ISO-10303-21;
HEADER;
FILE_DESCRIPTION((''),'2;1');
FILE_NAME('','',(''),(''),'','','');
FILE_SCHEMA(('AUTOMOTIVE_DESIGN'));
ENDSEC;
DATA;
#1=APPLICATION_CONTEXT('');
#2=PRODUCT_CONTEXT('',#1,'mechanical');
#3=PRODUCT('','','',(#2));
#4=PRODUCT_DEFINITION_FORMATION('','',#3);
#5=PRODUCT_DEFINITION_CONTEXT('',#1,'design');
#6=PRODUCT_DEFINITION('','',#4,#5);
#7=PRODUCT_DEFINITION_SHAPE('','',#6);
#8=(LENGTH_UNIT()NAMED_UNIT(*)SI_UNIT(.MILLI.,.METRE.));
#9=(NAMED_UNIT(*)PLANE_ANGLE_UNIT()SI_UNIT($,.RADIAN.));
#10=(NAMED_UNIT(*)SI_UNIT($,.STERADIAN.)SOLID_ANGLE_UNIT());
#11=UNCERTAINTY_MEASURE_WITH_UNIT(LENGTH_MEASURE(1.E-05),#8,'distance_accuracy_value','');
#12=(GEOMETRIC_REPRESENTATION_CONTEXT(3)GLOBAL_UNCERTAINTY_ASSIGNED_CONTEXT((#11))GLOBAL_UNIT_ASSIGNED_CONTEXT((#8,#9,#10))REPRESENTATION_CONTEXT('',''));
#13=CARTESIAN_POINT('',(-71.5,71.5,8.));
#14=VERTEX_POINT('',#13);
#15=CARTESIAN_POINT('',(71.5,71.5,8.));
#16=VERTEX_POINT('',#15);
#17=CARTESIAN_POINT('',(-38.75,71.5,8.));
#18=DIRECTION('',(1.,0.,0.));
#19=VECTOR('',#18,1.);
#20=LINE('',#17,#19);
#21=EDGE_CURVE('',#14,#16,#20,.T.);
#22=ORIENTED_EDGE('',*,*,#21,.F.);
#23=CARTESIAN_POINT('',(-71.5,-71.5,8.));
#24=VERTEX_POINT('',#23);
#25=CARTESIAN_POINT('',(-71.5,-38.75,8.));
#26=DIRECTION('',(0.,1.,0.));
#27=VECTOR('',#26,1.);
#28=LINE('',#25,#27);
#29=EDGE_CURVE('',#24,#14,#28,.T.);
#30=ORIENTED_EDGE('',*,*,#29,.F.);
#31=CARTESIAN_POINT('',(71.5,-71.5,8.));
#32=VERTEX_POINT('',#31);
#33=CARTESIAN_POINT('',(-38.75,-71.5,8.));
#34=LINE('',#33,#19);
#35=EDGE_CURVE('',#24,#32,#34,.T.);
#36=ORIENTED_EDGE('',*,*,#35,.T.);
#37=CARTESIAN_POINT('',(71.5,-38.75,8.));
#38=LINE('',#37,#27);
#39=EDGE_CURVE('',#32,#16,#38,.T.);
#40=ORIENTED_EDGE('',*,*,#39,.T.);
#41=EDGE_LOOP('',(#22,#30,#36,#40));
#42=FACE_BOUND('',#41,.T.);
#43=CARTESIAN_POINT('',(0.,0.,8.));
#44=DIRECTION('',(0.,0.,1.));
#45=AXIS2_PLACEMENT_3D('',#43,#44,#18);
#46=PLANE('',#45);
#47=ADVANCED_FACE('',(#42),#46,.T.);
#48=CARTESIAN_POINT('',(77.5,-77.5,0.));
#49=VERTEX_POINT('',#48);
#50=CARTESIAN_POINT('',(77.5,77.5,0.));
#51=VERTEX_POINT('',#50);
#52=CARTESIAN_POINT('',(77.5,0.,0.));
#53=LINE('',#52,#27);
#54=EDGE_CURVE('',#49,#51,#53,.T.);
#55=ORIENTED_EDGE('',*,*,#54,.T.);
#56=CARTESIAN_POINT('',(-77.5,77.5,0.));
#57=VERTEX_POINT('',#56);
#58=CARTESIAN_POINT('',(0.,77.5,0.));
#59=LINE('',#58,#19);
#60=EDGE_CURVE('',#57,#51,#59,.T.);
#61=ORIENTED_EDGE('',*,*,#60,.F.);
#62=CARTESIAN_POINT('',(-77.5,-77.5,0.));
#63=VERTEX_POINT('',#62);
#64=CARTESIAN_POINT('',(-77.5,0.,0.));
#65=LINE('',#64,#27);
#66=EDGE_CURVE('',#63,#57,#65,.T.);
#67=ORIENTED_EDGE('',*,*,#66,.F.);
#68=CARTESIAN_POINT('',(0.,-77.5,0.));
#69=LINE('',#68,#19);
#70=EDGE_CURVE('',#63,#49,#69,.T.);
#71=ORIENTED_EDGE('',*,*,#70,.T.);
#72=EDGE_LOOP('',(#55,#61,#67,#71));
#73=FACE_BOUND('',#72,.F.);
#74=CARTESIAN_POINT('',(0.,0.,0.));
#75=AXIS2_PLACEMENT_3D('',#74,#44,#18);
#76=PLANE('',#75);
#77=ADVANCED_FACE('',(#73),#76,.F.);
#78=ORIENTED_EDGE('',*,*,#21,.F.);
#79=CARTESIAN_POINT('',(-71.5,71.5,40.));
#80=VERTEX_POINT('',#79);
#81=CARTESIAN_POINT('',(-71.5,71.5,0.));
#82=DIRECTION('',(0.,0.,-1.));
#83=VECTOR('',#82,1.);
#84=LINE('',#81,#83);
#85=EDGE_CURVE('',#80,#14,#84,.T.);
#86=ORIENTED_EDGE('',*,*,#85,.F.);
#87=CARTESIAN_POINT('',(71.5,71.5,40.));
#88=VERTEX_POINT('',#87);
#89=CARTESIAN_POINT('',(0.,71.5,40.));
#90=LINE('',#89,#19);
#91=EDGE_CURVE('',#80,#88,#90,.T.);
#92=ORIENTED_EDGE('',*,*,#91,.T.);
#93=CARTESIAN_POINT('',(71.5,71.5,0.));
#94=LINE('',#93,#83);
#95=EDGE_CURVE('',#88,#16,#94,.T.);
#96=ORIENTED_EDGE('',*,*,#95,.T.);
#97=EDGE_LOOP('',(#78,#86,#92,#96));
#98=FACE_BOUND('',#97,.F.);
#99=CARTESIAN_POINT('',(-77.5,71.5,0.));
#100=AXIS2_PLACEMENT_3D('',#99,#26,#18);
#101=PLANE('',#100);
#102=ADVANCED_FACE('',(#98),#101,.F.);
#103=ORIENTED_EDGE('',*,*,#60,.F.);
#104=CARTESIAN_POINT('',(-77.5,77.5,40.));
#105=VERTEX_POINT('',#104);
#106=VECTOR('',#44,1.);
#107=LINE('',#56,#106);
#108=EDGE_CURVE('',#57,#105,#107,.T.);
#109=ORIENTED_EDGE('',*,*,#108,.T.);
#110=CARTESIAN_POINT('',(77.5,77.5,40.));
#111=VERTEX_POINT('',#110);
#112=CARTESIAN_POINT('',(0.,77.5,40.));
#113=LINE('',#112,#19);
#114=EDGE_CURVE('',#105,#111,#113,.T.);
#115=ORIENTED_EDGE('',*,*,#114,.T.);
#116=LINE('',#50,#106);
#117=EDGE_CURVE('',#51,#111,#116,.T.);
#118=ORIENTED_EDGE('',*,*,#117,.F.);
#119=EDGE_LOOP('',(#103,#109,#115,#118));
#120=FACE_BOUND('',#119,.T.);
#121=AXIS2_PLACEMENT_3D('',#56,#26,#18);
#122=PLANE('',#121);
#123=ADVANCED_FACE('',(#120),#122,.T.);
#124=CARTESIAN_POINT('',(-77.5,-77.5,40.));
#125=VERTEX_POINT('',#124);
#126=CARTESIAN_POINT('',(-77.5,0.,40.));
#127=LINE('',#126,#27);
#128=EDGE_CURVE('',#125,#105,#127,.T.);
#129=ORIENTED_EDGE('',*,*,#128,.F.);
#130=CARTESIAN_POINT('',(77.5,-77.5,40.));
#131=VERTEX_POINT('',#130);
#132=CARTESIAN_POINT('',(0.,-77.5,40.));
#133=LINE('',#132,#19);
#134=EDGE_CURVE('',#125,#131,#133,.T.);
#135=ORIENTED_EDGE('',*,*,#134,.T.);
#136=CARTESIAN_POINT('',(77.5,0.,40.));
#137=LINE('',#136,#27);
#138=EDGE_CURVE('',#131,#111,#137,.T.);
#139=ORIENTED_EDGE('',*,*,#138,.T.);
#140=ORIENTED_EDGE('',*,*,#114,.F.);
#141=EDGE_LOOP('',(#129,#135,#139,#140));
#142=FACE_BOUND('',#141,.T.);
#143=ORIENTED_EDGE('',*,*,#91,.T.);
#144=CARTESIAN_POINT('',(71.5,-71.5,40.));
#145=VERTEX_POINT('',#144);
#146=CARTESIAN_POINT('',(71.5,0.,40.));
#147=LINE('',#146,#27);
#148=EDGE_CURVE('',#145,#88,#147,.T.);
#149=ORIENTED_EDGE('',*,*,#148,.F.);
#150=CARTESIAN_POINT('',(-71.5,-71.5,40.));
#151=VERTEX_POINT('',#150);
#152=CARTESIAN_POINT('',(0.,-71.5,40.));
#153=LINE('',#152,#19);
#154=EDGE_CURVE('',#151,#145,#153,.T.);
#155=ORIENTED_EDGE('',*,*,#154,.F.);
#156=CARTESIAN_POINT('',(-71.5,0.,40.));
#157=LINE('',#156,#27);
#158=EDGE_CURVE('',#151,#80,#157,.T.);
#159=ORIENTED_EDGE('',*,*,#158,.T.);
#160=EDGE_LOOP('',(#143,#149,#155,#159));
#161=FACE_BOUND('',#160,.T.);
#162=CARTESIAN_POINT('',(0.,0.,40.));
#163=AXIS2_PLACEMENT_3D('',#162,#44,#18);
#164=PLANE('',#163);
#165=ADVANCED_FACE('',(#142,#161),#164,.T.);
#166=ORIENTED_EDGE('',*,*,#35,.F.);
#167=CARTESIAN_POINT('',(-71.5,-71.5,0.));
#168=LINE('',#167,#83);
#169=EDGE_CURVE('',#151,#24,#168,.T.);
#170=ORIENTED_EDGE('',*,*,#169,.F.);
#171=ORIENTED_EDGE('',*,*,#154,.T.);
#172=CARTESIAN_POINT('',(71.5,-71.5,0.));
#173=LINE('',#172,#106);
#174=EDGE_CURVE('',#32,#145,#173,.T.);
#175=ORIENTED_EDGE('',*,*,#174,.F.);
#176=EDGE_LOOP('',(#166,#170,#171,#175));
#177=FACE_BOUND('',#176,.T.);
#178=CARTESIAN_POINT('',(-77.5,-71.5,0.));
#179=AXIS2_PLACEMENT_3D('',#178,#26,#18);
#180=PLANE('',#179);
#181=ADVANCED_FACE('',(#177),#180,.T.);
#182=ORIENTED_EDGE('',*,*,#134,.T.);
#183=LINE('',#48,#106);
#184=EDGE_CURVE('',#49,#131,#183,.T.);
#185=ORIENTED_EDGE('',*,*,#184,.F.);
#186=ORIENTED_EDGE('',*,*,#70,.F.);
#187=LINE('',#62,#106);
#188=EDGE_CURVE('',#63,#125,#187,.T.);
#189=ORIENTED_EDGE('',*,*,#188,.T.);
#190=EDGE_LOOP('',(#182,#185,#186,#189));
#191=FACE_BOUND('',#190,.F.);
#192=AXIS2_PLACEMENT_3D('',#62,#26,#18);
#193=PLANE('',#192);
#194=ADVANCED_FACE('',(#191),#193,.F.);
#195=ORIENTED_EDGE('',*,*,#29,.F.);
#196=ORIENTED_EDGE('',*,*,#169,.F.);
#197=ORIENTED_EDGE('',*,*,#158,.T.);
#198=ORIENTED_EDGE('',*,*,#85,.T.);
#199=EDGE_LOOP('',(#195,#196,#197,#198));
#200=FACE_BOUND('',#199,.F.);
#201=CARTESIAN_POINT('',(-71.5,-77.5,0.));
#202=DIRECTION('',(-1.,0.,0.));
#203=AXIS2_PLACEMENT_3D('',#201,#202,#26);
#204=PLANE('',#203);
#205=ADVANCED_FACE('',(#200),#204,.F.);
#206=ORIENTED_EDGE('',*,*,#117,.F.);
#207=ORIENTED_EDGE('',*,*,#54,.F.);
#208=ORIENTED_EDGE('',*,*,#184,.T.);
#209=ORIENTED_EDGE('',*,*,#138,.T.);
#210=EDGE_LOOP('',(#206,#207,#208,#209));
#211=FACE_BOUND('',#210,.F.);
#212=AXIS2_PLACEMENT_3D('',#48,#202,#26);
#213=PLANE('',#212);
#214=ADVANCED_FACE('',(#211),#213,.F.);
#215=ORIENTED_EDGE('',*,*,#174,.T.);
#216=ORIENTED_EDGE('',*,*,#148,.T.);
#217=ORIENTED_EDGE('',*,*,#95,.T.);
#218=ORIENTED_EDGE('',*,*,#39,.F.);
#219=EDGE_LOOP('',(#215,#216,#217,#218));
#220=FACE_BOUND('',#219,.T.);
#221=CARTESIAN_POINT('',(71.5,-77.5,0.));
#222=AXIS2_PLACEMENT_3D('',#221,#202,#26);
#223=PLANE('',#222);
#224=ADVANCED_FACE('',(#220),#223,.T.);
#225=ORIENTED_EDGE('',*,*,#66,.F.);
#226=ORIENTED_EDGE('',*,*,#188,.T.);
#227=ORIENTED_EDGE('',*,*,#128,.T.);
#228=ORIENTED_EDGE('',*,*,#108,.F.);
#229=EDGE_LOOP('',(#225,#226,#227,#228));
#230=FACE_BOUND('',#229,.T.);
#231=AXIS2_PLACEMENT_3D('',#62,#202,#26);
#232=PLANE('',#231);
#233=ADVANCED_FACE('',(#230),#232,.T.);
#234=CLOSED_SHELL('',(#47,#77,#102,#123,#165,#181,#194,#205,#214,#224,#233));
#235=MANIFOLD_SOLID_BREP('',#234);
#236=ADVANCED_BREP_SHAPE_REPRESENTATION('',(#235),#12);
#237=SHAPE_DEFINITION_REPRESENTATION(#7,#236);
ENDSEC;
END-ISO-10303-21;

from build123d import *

# Parameters (mm, degrees)
F0_W     = 155
F0_H     = 155
F1_DEPTH = 40
F2_T     = -6
F3_DEPTH = 2


with BuildPart() as f1:
    # F0 (on Top) → F1 (new body)
    with BuildSketch(Plane.XY):
        Rectangle(F0_W, F0_H)
    extrude(amount=F1_DEPTH)

    # F2
    f2_openings = [f1.faces().sort_by_distance(p)[0] for p in [
        (0, 0, 40),
    ]]
    offset(amount=F2_T, openings=f2_openings)

    # F3 (add): a face of the model
    f3_faces = [f1.faces().sort_by_distance(p)[0] for p in [
        (0, 0, 6),
    ]]
    extrude(f3_faces, amount=F3_DEPTH)


solid = f1.part
